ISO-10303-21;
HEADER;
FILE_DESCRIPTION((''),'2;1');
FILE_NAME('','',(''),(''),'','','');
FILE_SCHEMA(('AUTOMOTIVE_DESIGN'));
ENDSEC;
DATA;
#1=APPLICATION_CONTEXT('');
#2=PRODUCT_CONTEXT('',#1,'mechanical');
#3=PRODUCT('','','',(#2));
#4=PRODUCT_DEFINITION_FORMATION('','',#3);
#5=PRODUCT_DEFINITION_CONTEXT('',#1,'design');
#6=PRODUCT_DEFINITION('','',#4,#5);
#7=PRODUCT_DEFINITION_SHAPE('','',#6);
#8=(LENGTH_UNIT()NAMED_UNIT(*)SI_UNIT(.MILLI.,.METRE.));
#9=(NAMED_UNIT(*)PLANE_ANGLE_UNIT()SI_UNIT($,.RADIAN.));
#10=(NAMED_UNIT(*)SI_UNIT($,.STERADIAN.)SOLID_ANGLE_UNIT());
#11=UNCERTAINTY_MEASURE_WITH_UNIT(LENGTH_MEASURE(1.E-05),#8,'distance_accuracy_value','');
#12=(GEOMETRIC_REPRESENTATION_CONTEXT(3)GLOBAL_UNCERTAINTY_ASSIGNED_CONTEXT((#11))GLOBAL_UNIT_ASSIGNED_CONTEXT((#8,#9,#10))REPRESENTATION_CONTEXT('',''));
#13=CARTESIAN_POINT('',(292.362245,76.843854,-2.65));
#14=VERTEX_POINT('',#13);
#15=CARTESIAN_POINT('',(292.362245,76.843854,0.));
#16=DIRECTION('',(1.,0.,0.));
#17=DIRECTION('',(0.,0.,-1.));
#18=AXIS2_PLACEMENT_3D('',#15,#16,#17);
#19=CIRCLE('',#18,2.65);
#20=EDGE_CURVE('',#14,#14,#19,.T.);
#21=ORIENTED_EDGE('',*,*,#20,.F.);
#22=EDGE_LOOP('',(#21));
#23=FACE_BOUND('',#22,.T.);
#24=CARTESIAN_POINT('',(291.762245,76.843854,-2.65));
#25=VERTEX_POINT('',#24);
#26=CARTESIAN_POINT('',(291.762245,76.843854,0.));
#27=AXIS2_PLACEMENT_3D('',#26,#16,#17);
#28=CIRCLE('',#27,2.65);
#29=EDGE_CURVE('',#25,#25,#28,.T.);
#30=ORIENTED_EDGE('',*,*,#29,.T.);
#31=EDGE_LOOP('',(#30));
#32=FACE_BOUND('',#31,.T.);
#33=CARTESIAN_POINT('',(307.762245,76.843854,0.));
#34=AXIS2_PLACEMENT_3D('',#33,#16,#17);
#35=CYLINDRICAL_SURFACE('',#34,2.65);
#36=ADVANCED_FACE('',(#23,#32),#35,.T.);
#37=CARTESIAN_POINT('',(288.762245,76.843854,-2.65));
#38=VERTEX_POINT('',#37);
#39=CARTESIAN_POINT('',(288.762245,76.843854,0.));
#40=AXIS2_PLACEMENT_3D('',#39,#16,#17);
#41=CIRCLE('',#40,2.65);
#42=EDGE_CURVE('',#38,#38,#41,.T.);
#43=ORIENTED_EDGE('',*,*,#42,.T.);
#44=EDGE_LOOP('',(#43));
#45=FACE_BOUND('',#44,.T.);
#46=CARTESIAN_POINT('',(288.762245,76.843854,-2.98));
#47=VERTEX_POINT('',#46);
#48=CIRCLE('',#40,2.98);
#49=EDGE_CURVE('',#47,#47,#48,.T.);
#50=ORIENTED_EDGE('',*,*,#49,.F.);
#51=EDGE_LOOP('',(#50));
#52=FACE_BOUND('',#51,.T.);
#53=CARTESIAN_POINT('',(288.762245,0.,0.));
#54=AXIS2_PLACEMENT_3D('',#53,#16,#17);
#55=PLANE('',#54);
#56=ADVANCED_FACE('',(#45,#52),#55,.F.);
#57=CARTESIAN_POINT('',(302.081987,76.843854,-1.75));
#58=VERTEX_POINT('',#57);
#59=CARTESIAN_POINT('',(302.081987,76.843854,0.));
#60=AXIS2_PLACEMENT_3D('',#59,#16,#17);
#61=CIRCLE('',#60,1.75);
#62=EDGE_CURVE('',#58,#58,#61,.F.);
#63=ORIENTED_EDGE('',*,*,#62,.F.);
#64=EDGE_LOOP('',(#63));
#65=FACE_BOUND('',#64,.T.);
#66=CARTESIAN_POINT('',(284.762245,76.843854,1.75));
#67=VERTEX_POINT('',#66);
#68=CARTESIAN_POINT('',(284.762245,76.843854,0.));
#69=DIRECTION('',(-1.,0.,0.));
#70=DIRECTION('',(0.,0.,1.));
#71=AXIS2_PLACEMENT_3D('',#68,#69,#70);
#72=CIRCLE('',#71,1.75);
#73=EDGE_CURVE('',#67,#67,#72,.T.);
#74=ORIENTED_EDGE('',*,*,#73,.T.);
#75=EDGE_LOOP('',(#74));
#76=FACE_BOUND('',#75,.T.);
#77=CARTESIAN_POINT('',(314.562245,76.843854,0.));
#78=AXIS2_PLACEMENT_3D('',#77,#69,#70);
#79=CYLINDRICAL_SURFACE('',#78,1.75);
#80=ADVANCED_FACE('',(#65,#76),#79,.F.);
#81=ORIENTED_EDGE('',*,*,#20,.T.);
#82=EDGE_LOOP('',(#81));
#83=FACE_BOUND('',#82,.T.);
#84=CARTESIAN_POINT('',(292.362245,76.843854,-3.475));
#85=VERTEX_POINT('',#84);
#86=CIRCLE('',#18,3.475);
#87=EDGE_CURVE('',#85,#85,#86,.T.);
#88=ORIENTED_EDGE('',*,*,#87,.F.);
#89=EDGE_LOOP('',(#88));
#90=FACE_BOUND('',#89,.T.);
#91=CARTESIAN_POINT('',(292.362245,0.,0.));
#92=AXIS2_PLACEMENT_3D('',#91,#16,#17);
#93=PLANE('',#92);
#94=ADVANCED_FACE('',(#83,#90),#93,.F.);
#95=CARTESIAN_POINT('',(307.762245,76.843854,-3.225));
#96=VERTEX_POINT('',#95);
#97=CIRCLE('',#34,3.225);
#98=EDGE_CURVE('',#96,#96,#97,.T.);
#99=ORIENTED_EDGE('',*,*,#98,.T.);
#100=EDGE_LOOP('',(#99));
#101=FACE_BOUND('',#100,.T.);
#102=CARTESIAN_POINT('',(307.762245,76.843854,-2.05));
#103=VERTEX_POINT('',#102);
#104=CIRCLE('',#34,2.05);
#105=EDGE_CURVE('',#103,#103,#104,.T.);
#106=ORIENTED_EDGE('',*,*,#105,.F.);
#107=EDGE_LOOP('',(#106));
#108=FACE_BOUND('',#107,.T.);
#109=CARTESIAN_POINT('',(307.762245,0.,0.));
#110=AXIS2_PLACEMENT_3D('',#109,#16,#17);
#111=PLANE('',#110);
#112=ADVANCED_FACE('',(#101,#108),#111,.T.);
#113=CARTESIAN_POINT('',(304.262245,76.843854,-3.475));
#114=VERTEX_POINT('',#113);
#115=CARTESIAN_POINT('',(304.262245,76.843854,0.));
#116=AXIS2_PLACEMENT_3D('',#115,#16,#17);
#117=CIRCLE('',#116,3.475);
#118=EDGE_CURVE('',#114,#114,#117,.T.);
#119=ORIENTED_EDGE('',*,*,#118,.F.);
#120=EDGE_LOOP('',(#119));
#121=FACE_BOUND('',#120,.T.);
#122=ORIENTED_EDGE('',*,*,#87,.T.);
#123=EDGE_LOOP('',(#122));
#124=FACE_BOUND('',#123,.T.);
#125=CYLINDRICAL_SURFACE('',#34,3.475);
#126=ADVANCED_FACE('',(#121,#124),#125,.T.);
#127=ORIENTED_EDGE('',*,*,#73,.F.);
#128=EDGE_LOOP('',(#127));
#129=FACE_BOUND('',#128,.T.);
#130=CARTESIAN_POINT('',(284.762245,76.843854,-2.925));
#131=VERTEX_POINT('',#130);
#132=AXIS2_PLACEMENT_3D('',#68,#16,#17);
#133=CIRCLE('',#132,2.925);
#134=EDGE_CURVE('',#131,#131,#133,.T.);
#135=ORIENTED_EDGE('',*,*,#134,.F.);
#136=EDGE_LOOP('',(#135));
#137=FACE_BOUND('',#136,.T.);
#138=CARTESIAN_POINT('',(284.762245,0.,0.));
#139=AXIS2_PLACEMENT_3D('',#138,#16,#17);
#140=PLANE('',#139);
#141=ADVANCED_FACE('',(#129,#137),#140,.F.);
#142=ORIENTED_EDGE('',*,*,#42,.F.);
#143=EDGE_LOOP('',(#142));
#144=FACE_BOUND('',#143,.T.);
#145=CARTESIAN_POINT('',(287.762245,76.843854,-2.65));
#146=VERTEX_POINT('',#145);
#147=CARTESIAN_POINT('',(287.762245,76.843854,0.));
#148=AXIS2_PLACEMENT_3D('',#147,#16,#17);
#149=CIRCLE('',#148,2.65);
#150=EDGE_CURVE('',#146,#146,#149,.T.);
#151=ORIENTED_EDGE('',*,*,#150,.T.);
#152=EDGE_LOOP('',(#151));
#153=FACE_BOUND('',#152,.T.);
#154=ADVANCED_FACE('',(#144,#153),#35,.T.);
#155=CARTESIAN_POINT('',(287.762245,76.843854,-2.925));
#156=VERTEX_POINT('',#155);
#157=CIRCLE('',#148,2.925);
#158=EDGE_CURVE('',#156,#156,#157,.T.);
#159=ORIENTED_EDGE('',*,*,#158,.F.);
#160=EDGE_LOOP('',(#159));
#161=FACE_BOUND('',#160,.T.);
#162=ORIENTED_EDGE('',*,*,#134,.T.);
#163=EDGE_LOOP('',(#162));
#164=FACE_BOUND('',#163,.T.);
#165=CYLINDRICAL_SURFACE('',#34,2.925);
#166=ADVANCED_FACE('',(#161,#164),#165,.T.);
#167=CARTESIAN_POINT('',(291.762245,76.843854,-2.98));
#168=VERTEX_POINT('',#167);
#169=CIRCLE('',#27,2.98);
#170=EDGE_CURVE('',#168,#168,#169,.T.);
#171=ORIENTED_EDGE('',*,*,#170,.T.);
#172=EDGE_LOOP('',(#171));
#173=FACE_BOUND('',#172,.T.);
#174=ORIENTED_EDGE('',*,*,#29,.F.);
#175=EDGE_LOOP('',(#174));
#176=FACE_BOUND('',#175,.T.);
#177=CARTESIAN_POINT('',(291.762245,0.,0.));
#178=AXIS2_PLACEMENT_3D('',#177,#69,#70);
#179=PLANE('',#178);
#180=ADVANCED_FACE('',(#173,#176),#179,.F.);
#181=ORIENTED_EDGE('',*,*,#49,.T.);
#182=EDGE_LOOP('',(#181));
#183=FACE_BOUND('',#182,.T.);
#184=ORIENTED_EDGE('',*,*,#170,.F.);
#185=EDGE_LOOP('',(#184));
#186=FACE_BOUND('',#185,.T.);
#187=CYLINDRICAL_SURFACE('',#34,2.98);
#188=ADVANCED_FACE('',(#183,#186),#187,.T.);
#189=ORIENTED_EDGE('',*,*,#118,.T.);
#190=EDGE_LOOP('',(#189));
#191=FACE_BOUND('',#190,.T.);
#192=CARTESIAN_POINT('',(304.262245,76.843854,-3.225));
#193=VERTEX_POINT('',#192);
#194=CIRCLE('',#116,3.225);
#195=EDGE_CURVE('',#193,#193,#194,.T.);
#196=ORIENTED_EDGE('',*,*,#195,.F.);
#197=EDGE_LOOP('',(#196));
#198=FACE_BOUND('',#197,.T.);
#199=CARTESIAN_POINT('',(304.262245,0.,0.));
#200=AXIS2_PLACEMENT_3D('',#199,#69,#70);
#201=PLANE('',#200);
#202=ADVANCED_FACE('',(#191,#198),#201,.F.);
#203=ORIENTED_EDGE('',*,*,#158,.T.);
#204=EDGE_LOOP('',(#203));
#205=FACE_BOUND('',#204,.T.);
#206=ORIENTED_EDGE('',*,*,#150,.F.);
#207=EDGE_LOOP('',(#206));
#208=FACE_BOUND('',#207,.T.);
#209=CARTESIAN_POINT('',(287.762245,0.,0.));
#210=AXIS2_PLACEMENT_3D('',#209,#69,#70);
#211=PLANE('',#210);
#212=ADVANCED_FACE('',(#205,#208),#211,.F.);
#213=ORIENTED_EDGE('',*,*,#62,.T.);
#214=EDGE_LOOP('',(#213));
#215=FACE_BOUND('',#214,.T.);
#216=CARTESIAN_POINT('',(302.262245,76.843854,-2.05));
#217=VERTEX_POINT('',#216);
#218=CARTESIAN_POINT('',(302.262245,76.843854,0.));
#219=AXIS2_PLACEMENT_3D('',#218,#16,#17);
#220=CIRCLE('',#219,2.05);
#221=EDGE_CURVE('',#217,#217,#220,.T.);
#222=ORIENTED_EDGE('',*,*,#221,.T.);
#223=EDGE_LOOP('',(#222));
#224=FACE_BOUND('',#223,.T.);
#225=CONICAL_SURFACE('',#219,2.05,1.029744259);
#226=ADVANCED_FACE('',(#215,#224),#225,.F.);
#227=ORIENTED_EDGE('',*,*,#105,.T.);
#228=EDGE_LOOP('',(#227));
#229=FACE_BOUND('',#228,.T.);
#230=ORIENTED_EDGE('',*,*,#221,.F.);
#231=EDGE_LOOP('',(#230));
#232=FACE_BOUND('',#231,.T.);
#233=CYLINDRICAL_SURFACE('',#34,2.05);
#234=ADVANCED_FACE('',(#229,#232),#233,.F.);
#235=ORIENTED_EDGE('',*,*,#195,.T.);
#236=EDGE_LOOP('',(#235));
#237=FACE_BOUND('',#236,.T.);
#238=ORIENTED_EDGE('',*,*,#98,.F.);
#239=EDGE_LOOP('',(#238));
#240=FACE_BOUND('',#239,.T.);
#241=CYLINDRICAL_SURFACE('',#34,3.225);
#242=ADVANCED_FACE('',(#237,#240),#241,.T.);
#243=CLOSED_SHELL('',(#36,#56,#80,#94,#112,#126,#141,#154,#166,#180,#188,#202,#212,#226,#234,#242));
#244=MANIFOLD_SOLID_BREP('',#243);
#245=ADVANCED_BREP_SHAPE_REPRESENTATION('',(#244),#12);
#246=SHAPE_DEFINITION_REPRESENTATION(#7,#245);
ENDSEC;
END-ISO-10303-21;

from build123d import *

# Parameters (mm, degrees)
TAP_DRILL_FOR_M5_TAP1_D     = 4.1
TAP_DRILL_FOR_M5_TAP1_DEPTH = 5.5
TAP_DRILL_FOR_M5_TAP1_TIP   = 1.231764269
SKETCH5_R                   = 1.75
CUT_EXTRUDE1_DEPTH          = 29.8


with BuildPart() as part:
    # Sketch2 → Revolve4 (revolve)
    with BuildSketch(Plane.XY):
        Polygon((292.362244726, 80.31885353), (304.262244726, 80.31885353), (304.262244726, 80.06885353), (307.762244726, 80.06885353), (307.762244726, 76.84385353), (284.762244726, 76.84385353), (284.762244726, 79.76885353), (287.762244726, 79.76885353), (287.762244726, 79.49385353), (288.762244726, 79.49385353), (288.762244726, 79.82385353), (291.762244726, 79.82385353), (291.762244726, 79.49385353), (292.362244726, 79.49385353), align=None)
    revolve(axis=Axis((307.762244726, 76.84385353, 0), (-1, 0, 0)))

    # Tap Drill for M5 Tap1
    with Locations(Plane(origin=(307.762244726, 0, 0), x_dir=(0, 0, -1), z_dir=(1, 0, 0))):
        with Locations((0, 76.84385353)):
            Hole(TAP_DRILL_FOR_M5_TAP1_D / 2, depth=TAP_DRILL_FOR_M5_TAP1_DEPTH)
            with Locations((0, 0, -(TAP_DRILL_FOR_M5_TAP1_DEPTH + TAP_DRILL_FOR_M5_TAP1_TIP / 2))):  # 118° drill point
                Cone(0, TAP_DRILL_FOR_M5_TAP1_D / 2, TAP_DRILL_FOR_M5_TAP1_TIP, mode=Mode.SUBTRACT)

    # Sketch5 → Cut-Extrude1 (cut)
    with BuildSketch(Plane.ZY.offset(-284.762244726)):
        with Locations((0, 76.84385353)):
            Circle(SKETCH5_R)
    extrude(amount=-CUT_EXTRUDE1_DEPTH, mode=Mode.SUBTRACT)


solid = part.part
